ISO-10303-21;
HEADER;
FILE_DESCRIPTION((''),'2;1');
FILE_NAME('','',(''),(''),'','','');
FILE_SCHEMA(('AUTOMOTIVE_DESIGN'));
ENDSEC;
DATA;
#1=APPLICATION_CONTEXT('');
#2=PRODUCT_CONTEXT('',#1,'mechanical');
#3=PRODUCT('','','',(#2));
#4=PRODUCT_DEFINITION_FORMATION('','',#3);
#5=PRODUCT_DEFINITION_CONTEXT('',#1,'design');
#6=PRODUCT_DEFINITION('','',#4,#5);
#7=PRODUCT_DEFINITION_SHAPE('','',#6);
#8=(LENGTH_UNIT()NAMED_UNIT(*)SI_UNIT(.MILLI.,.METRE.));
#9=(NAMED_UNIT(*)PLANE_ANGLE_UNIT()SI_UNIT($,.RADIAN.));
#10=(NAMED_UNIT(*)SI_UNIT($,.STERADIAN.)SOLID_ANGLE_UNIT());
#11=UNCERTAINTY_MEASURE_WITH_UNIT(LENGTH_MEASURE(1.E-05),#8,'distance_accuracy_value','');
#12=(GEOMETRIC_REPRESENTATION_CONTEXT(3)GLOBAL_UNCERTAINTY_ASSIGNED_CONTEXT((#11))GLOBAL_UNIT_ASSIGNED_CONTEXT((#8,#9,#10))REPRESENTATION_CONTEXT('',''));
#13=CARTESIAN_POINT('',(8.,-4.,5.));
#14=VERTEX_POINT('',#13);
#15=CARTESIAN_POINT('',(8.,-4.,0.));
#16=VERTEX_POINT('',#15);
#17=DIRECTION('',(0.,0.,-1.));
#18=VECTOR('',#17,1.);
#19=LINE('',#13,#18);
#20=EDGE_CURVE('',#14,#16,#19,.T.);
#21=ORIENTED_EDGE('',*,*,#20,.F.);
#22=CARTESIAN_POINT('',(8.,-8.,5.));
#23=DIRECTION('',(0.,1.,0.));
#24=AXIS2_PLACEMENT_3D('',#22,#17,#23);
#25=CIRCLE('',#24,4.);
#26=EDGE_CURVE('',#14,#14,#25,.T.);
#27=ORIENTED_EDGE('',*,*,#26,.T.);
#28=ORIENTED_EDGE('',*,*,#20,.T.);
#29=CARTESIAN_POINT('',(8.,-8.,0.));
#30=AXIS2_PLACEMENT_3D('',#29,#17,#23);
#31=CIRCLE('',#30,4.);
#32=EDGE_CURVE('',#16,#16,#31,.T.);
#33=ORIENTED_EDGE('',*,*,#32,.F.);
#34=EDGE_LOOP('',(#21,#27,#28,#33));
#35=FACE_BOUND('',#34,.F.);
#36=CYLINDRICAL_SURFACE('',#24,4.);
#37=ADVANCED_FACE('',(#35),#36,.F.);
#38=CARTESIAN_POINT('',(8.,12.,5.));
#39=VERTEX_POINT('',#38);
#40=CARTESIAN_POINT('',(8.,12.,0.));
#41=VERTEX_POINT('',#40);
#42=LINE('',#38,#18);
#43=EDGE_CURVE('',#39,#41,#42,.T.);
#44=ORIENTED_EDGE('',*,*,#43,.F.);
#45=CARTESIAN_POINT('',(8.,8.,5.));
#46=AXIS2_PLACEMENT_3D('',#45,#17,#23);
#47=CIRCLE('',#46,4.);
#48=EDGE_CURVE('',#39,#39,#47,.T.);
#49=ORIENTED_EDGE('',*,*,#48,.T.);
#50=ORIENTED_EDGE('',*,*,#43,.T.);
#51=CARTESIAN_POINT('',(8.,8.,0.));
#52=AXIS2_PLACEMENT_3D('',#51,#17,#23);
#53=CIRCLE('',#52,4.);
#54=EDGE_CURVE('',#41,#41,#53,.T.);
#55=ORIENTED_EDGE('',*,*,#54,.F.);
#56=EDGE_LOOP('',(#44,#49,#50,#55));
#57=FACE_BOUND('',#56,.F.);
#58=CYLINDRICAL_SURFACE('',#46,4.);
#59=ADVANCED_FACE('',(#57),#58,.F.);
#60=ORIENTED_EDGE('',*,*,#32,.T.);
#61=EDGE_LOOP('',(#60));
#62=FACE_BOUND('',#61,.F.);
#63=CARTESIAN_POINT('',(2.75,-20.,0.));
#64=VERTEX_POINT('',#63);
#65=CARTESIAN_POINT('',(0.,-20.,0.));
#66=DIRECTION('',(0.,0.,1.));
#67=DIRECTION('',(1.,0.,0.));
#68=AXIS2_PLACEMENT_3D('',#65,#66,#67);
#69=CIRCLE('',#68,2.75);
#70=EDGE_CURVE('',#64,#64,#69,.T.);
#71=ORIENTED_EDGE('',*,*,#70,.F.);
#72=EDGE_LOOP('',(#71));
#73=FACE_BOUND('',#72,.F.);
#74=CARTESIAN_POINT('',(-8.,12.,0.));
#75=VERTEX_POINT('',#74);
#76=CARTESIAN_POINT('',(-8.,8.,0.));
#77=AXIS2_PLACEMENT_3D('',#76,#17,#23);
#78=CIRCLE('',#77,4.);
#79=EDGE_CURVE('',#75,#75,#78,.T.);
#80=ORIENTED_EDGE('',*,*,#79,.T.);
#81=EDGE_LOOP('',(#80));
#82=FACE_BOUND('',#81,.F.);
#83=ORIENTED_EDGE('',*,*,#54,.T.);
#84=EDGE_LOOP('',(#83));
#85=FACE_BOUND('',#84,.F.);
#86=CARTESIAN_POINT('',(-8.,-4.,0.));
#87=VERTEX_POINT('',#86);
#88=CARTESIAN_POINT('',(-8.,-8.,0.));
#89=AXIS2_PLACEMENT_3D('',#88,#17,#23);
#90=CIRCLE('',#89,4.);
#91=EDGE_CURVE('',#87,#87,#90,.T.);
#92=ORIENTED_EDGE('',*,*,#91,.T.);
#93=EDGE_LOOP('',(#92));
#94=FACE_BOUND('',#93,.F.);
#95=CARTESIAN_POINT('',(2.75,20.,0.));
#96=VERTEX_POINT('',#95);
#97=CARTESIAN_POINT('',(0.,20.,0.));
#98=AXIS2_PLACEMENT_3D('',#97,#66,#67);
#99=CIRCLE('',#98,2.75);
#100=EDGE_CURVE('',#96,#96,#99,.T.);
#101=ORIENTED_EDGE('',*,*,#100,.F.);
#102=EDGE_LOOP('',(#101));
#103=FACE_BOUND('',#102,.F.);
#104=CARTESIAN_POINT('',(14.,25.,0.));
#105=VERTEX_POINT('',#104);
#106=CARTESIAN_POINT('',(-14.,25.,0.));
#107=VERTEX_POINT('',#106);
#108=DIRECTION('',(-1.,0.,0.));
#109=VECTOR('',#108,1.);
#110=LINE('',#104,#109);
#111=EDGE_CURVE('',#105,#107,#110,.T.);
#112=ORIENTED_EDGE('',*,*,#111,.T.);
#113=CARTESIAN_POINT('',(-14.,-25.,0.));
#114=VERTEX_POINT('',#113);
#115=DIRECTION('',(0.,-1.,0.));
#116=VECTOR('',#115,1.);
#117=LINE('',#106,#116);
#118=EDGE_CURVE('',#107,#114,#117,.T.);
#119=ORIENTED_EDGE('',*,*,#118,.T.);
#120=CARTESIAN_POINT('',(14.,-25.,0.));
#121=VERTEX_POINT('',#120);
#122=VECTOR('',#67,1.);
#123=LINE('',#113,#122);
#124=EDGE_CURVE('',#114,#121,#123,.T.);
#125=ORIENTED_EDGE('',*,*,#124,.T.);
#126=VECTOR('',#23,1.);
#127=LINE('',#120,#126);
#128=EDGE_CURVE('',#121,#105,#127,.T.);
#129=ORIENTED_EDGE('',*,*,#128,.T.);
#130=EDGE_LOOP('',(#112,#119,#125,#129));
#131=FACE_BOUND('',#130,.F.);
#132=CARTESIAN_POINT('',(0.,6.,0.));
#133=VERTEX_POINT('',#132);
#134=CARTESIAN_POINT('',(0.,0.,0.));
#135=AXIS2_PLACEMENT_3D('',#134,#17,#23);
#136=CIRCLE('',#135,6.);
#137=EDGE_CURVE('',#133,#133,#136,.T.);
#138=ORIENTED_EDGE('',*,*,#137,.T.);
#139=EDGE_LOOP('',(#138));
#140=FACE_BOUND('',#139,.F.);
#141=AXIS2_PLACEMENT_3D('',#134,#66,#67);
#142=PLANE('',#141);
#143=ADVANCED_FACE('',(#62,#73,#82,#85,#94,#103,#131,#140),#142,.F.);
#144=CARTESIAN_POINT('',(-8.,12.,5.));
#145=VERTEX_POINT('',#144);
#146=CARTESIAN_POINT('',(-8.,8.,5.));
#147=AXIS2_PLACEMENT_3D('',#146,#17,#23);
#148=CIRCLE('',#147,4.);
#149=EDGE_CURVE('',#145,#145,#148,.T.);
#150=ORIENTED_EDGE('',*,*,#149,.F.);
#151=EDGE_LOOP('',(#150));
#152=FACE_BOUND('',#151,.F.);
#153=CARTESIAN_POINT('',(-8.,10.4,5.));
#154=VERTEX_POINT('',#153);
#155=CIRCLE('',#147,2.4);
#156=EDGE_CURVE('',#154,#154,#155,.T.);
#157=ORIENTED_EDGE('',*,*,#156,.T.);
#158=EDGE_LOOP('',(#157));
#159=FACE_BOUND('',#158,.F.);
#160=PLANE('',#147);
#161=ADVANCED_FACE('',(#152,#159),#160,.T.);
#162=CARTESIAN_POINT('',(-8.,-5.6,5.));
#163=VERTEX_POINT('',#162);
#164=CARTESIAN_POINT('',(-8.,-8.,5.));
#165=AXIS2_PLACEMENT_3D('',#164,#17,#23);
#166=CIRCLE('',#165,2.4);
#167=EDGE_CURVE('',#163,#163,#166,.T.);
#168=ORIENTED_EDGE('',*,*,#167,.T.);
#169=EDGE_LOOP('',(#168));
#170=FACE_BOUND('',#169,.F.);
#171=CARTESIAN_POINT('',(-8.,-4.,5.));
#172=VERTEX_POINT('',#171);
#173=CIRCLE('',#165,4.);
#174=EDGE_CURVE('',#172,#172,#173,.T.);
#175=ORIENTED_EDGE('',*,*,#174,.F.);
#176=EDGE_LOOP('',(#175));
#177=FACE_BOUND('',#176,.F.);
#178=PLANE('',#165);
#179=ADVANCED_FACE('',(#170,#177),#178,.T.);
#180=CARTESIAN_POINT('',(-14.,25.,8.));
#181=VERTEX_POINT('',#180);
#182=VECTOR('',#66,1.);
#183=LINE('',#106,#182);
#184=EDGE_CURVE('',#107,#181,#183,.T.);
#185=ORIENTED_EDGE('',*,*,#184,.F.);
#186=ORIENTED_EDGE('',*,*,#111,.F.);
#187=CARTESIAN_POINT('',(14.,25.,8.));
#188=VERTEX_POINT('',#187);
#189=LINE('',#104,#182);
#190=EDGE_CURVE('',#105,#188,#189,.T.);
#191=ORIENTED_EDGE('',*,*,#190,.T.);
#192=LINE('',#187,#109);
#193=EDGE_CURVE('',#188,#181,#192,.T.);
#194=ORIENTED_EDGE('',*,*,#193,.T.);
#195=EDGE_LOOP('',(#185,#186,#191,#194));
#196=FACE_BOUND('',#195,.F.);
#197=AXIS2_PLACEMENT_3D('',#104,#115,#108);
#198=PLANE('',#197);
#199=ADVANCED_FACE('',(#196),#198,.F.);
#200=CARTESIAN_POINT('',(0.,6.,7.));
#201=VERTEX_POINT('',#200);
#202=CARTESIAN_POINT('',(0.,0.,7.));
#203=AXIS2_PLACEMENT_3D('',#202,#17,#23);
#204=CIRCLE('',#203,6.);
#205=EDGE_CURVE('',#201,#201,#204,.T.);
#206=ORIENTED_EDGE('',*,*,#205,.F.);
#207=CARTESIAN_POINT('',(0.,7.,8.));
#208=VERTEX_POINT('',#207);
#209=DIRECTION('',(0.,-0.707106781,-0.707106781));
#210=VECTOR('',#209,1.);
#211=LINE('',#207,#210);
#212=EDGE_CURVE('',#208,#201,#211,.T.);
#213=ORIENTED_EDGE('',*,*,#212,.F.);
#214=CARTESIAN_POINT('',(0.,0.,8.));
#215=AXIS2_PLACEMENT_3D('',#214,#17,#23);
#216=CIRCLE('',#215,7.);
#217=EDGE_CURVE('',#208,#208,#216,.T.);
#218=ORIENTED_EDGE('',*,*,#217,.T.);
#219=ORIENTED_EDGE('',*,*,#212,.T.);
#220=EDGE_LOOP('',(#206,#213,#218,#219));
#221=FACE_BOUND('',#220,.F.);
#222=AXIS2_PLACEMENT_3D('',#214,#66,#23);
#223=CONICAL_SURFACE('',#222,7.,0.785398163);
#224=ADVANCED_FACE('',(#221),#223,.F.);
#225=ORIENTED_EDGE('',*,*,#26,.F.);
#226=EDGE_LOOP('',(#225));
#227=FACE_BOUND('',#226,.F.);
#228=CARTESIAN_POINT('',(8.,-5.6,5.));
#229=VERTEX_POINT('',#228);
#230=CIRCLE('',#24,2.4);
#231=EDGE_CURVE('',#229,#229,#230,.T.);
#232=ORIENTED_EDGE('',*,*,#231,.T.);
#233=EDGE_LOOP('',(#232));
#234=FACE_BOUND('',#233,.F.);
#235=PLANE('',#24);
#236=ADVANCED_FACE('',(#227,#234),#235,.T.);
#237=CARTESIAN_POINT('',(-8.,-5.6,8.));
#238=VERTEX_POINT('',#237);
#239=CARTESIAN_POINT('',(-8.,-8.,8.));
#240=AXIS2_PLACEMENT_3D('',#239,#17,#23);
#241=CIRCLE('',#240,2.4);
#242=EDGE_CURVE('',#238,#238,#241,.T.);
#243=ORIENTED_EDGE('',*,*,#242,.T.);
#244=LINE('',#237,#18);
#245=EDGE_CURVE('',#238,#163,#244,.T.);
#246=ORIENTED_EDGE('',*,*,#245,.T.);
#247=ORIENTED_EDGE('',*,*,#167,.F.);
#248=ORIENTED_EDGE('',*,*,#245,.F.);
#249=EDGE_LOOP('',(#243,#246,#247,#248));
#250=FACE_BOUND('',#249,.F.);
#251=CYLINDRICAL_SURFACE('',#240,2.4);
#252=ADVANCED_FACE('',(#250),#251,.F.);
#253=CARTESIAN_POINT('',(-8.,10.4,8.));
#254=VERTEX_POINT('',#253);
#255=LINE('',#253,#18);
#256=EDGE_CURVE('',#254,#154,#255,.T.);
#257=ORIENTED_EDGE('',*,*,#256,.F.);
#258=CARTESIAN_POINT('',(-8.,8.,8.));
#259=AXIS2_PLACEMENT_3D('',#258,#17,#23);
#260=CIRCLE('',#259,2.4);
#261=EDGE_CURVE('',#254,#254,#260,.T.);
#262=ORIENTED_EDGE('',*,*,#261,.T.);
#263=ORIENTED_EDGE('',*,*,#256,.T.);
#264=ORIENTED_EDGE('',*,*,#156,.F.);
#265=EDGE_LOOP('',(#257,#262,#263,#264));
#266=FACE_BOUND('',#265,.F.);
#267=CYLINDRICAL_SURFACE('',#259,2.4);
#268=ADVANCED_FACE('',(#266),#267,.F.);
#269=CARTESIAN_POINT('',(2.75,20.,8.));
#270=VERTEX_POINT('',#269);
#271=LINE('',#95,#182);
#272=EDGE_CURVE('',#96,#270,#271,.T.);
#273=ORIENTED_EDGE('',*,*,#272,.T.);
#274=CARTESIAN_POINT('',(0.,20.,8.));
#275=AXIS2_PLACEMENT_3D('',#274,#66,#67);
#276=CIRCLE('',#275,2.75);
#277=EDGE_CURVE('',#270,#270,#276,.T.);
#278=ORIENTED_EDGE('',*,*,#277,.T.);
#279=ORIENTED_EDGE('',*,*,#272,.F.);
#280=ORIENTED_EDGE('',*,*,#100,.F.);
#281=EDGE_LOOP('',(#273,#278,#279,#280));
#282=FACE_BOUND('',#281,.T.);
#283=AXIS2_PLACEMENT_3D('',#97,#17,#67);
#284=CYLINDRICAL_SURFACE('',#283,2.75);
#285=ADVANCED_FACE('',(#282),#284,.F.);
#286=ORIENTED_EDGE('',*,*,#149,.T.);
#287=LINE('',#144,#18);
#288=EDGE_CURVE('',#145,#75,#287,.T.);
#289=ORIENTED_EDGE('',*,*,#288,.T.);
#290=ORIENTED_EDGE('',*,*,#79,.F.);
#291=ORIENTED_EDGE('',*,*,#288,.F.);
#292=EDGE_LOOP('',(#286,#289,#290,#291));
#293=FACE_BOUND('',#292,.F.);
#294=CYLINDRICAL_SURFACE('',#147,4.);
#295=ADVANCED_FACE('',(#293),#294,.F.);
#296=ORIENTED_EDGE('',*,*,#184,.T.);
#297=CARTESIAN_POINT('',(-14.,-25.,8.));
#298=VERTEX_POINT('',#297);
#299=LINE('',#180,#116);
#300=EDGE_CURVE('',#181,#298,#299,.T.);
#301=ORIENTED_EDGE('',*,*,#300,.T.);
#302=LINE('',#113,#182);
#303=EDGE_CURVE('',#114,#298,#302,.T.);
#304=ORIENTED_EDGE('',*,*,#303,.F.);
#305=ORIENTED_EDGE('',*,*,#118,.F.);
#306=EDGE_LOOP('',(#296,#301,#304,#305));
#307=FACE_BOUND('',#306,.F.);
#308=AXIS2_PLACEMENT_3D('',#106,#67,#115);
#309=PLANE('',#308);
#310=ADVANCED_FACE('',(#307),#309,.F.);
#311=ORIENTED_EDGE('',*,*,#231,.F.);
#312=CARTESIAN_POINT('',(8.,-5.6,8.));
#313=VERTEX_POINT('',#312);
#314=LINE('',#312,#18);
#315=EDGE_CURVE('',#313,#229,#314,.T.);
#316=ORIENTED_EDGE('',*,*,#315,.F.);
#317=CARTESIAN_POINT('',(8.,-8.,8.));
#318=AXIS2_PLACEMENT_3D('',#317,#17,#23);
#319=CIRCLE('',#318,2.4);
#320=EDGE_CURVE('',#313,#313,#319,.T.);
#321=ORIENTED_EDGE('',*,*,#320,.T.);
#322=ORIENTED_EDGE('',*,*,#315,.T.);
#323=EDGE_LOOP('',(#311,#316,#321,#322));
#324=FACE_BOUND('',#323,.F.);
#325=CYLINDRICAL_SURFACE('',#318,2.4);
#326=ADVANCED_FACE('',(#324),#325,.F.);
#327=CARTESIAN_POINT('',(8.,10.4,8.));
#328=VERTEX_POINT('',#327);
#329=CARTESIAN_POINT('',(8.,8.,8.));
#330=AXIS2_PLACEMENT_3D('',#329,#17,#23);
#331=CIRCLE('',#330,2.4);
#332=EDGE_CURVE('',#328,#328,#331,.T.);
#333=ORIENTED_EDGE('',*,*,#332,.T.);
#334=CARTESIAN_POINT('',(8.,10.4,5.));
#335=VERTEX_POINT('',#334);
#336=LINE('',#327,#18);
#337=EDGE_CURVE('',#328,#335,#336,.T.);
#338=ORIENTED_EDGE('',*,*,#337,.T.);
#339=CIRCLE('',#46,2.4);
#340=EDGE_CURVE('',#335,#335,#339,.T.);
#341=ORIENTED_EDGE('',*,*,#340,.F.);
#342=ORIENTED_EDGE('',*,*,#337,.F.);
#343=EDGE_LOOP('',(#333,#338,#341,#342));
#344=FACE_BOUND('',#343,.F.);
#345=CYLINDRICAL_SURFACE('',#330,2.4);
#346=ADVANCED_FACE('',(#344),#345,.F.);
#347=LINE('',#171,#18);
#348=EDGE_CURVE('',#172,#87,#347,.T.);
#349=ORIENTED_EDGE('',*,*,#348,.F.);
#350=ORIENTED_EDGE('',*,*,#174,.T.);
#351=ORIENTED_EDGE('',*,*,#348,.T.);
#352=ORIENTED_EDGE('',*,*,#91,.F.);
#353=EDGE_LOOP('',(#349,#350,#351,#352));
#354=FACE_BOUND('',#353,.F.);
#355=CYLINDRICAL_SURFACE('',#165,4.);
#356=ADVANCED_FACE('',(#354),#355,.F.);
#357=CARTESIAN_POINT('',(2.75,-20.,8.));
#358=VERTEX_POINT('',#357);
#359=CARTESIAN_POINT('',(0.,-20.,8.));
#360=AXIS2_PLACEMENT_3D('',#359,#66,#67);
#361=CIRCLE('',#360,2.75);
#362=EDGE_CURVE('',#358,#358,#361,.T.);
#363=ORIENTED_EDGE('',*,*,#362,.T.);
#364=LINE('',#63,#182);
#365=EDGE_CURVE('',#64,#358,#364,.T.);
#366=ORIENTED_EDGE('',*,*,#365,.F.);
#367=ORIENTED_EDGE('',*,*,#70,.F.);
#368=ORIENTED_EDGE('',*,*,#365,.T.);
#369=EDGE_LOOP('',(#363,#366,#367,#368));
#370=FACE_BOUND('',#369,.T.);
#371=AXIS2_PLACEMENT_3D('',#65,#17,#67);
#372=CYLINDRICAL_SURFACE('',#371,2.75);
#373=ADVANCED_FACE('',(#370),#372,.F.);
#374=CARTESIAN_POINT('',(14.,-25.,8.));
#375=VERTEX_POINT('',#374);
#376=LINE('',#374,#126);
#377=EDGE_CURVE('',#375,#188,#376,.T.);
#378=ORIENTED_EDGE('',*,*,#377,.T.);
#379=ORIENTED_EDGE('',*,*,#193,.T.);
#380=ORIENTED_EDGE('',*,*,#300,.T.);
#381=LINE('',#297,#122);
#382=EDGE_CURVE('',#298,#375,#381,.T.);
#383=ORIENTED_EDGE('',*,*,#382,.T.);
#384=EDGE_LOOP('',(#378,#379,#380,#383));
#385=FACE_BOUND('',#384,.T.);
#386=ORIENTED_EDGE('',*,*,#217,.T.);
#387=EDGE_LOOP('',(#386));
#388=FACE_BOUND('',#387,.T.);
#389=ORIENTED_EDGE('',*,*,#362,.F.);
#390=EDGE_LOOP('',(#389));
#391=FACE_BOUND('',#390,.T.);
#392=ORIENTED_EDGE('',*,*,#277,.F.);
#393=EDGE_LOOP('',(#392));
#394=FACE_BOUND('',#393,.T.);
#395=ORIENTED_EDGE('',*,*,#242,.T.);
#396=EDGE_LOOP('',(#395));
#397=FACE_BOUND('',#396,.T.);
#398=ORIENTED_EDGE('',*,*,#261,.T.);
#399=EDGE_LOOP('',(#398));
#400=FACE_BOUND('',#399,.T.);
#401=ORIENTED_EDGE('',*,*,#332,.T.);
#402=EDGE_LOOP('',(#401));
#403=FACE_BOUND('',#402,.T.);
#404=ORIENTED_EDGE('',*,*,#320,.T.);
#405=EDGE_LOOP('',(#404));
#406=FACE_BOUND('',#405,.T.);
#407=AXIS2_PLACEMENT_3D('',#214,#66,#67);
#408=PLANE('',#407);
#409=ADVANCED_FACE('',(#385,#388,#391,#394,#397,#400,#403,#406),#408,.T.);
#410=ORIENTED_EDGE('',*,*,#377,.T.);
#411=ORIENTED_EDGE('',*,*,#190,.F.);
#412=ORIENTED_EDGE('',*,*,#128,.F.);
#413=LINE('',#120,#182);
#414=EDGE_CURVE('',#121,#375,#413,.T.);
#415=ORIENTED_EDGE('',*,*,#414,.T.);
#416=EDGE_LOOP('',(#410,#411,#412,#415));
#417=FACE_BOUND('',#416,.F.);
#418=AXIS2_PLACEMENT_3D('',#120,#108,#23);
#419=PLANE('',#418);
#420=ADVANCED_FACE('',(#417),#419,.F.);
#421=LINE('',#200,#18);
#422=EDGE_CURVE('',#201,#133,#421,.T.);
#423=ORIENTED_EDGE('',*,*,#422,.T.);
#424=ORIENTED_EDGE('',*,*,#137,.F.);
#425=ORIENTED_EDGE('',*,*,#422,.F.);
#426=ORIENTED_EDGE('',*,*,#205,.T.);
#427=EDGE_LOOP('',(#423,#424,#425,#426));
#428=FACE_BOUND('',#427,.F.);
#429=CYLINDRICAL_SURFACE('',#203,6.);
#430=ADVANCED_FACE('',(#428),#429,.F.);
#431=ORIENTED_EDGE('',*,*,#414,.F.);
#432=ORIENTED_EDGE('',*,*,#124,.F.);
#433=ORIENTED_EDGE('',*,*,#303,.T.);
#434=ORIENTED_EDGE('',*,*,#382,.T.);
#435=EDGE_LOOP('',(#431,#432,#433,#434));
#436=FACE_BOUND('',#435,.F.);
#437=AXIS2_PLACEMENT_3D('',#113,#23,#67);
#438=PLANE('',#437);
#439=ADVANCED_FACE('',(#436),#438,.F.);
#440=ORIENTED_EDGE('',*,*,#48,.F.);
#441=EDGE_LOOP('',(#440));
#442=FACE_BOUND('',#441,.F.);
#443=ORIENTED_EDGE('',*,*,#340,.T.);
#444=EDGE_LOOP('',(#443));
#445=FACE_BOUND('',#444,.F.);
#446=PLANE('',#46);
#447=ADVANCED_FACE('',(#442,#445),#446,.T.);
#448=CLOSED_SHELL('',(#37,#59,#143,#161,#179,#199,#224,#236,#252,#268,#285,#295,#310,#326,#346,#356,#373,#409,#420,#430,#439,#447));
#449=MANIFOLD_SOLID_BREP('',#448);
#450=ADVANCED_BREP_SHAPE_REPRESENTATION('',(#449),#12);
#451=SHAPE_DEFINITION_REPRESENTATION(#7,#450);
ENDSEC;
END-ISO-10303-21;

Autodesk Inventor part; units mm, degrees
sketch "Skizze_1" plane through (0, 0, 0) normal (0, 0, 1) x (1, 0, 0)
  line L0 (-14, 25) -> (-14, -25)
  line L1 (-14, -25) -> (14, -25)
  line L2 (14, -25) -> (14, 25)
  line L3 (14, 25) -> (-14, 25)
  circle A0 centre (0, 20) radius 2.75
  circle A1 centre (0, -20) radius 2.75
extrude "Extrusion1" add sketch "Skizze_1" along normal blind 8
sketch "Skizze_2_ALT_Drilling_1" plane through (0, 0, 0) normal (1, 0, 0) x (0, 1, 0)
  line L0 (0, 0) -> (0, 8)
  line L1 (0, 8) -> (7, 8)
  line L2 (7, 8) -> (6, 7)
  line L3 (6, 7) -> (6, 0)
  line L4 (6, 0) -> (0, 0)
  line L5 (0, 0) -> (0, 8)
revolve "Revolution1" cut sketch "Skizze_2_ALT_Drilling_1" angle 360 about axis through (0, 0, 0) along (0, 0, -1)
sketch "Skizze_3_ALT_Drilling_2" plane through (8, 0, 0) normal (1, 0, 0) x (0, 0, -1)
  line L0 (0, 8) -> (-8, 8)
  line L1 (-8, 8) -> (-8, 10.4)
  line L2 (-8, 10.4) -> (-5, 10.4)
  line L3 (-5, 10.4) -> (-5, 12)
  line L4 (-5, 12) -> (0, 12)
  line L5 (0, 12) -> (0, 8)
  line L6 (0, 8) -> (-8, 8)
revolve "Revolution2" cut sketch "Skizze_3_ALT_Drilling_2" angle 360 about axis through (8, 8, 0) along (0, 0, -1)
sketch "Muster_1_SKETCH_1" plane through (-8, 0, 0) normal (1, 0, 0) x (0, 0, -1)
  line L0 (0, 8) -> (-8, 8)
  line L1 (-8, 8) -> (-8, 10.4)
  line L2 (-8, 10.4) -> (-5, 10.4)
  line L3 (-5, 10.4) -> (-5, 12)
  line L4 (-5, 12) -> (0, 12)
  line L5 (0, 12) -> (0, 8)
  line L6 (0, 8) -> (-8, 8)
sketch "Muster_1_SKETCH_2" plane through (8, 0, 0) normal (1, 0, 0) x (0, 0, -1)
  line L0 (0, -8) -> (-8, -8)
  line L1 (-8, -8) -> (-8, -5.6)
  line L2 (-8, -5.6) -> (-5, -5.6)
  line L3 (-5, -5.6) -> (-5, -4)
  line L4 (-5, -4) -> (0, -4)
  line L5 (0, -4) -> (0, -8)
  line L6 (0, -8) -> (-8, -8)
sketch "Muster_1_SKETCH_3" plane through (-8, 0, 0) normal (1, 0, 0) x (0, 0, -1)
  line L0 (0, -8) -> (-8, -8)
  line L1 (-8, -8) -> (-8, -5.6)
  line L2 (-8, -5.6) -> (-5, -5.6)
  line L3 (-5, -5.6) -> (-5, -4)
  line L4 (-5, -4) -> (0, -4)
  line L5 (0, -4) -> (0, -8)
  line L6 (0, -8) -> (-8, -8)
revolve "Revolution3" cut sketch "Muster_1_SKETCH_1" angle 360 about axis through (-8, 8, 0) along (0, 0, -1)
revolve "Revolution4" cut sketch "Muster_1_SKETCH_2" angle 360 about axis through (8, -8, 0) along (0, 0, -1)
revolve "Revolution5" cut sketch "Muster_1_SKETCH_3" angle 360 about axis through (-8, -8, 0) along (0, 0, -1)
ref_plane "FDT_MOUNT_XY" through (0, 0, 8) normal (0, 0, 1) x (0, 1, 0)
ref_plane "FDT_MOUNT_YZ" through (0, 0, 8) normal (0, 1, 0) x (-1, 0, 0)
ref_plane "FDT_MOUNT_ZX" through (0, 0, 8) normal (-1, 0, 0) x (0, 0, 1)
ref_plane "FNC_1_XY" through (0, 0, 4) normal (0, 0, 1) x (1, 0, 0)
ref_plane "FNC_1_YZ" through (0, 0, 4) normal (1, 0, 0) x (0, 1, 0)
ref_plane "FNC_1_ZX" through (0, 0, 4) normal (0, 1, 0) x (0, 0, 1)
ref_plane "FNC_2_3_XY" through (0, 0, 8) normal (0, 0, 1) x (1, 0, 0)
ref_plane "FNC_2_3_YZ" through (0, 0, 8) normal (1, 0, 0) x (0, 1, 0)
ref_plane "FNC_2_3_ZX" through (0, 0, 8) normal (0, 1, 0) x (0, 0, 1)
ref_plane "FNC_Schraube_1_XY" through (-8, 8, 5) normal (0, 0, 1) x (1, 0, 0)
ref_plane "FNC_Schraube_1_YZ" through (-8, 8, 5) normal (1, 0, 0) x (0, 1, 0)
ref_plane "FNC_Schraube_1_ZX" through (-8, 8, 5) normal (0, 1, 0) x (0, 0, 1)
ref_plane "FNC_Schraube_2_XY" through (8, 8, 5) normal (0, 0, 1) x (1, 0, 0)
ref_plane "FNC_Schraube_2_YZ" through (8, 8, 5) normal (1, 0, 0) x (0, 1, 0)
ref_plane "FNC_Schraube_2_ZX" through (8, 8, 5) normal (0, 1, 0) x (0, 0, 1)
ref_plane "FNC_Schraube_3_XY" through (-8, -8, 5) normal (0, 0, 1) x (1, 0, 0)
ref_plane "FNC_Schraube_3_YZ" through (-8, -8, 5) normal (1, 0, 0) x (0, 1, 0)
ref_plane "FNC_Schraube_3_ZX" through (-8, -8, 5) normal (0, 1, 0) x (0, 0, 1)
ref_plane "FNC_Schraube_4_XY" through (8, -8, 5) normal (0, 0, 1) x (1, 0, 0)
ref_plane "FNC_Schraube_4_YZ" through (8, -8, 5) normal (1, 0, 0) x (0, 1, 0)
ref_plane "FNC_Schraube_4_ZX" through (8, -8, 5) normal (0, 1, 0) x (0, 0, 1)
ref_plane "P17_1_XY" through (0, 20, 8) normal (0, 0, 1) x (1, 0, 0)
ref_plane "P17_1_YZ" through (0, 20, 8) normal (1, 0, 0) x (0, 1, 0)
ref_plane "P17_1_ZX" through (0, 20, 8) normal (0, 1, 0) x (0, 0, 1)
ref_plane "P18_1_XY" through (0, -20, 8) normal (0, 0, 1) x (1, 0, 0)
ref_plane "P18_1_YZ" through (0, -20, 8) normal (1, 0, 0) x (0, 1, 0)
ref_plane "P18_1_ZX" through (0, -20, 8) normal (0, 1, 0) x (0, 0, 1)
properties part number "537245 FNC-12---(F)"
